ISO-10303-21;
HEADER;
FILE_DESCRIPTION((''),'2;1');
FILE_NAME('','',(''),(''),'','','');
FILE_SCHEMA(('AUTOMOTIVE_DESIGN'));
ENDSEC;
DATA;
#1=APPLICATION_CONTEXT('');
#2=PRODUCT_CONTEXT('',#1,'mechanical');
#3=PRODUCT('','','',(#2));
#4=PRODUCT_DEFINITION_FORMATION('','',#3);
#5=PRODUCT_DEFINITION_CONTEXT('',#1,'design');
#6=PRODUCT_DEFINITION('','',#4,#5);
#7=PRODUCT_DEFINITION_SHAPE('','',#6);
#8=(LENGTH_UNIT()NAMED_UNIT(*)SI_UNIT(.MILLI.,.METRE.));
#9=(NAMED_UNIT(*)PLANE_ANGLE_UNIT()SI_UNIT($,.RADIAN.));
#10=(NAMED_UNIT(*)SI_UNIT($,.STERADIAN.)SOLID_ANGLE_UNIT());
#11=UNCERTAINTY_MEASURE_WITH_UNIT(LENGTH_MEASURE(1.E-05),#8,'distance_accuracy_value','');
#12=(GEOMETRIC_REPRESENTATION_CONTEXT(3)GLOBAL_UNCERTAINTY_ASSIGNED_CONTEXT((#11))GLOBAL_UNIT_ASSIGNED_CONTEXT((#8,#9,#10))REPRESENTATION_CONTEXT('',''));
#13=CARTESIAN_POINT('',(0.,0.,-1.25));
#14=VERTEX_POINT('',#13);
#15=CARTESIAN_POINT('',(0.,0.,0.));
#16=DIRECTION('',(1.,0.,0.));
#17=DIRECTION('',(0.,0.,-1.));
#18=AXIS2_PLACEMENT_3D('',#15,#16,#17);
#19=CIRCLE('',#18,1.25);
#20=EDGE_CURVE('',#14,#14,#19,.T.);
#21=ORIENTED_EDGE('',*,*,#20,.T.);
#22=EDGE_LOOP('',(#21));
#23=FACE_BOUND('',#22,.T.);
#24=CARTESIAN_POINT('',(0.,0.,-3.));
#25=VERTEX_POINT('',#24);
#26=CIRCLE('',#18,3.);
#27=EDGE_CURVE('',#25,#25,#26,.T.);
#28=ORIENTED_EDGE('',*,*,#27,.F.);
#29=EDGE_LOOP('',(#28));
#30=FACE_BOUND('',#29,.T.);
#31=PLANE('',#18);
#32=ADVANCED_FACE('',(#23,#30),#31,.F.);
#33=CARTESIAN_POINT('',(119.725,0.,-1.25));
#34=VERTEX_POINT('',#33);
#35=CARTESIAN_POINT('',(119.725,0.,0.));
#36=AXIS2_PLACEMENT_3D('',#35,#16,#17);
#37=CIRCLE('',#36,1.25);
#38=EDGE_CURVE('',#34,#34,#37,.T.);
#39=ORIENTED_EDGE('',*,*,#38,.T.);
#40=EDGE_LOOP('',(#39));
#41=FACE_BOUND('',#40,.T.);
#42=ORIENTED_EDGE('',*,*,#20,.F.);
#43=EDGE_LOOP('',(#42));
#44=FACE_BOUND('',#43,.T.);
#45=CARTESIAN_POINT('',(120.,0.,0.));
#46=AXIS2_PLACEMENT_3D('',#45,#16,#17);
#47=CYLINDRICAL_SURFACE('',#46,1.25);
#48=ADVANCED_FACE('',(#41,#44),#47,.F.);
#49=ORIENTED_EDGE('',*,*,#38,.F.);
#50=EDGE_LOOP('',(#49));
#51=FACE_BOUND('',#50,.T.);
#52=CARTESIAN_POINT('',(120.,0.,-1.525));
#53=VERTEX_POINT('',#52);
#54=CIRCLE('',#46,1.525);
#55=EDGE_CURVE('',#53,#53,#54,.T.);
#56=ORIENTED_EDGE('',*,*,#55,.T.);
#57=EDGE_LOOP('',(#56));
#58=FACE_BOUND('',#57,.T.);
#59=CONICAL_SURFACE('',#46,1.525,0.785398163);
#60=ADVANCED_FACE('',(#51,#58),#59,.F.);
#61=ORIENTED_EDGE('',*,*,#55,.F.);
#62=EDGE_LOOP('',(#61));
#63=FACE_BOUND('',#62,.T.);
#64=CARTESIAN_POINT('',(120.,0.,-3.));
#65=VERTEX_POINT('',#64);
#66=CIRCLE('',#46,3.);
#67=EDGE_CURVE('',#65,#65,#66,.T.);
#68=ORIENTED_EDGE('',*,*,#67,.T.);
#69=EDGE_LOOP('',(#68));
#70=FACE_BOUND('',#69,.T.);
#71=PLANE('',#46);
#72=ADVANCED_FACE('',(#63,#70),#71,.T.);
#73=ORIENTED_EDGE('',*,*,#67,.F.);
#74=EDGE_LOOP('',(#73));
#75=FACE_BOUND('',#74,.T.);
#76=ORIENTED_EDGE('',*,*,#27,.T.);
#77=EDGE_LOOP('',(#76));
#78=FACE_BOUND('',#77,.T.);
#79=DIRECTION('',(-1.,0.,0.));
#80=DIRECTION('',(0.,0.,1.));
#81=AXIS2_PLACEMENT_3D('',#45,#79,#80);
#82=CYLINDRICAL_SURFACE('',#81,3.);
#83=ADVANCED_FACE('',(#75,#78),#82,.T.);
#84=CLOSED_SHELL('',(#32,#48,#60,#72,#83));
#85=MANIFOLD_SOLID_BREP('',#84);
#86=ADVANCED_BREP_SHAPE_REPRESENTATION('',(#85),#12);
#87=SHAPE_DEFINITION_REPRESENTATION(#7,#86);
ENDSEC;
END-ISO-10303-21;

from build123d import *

# Parameters (mm, degrees)
SKETCH_1_R                   = 3
EXTRUDE_1_DEPTH              = 120
HOLE_WIZARD_M3_1_D           = 2.5
HOLE_WIZARD_M3_1_CSINK_D     = 3.05
HOLE_WIZARD_M3_1_CSINK_ANGLE = 90


with BuildPart() as part:
    # 草图1 → 凸台-拉伸1 (new body)
    with BuildSketch(Plane(origin=(0, 0, 0), x_dir=(0, 0, -1), z_dir=(1, 0, 0))):
        Circle(SKETCH_1_R)
    extrude(amount=EXTRUDE_1_DEPTH)

    # M3 螺纹孔1 (through all)
    with Locations(Plane(origin=(120, 0, 0), x_dir=(0, 0, -1), z_dir=(1, 0, 0))):
        with Locations((0, 0)):
            CounterSinkHole(HOLE_WIZARD_M3_1_D / 2, HOLE_WIZARD_M3_1_CSINK_D / 2, counter_sink_angle=HOLE_WIZARD_M3_1_CSINK_ANGLE)


solid = part.part
